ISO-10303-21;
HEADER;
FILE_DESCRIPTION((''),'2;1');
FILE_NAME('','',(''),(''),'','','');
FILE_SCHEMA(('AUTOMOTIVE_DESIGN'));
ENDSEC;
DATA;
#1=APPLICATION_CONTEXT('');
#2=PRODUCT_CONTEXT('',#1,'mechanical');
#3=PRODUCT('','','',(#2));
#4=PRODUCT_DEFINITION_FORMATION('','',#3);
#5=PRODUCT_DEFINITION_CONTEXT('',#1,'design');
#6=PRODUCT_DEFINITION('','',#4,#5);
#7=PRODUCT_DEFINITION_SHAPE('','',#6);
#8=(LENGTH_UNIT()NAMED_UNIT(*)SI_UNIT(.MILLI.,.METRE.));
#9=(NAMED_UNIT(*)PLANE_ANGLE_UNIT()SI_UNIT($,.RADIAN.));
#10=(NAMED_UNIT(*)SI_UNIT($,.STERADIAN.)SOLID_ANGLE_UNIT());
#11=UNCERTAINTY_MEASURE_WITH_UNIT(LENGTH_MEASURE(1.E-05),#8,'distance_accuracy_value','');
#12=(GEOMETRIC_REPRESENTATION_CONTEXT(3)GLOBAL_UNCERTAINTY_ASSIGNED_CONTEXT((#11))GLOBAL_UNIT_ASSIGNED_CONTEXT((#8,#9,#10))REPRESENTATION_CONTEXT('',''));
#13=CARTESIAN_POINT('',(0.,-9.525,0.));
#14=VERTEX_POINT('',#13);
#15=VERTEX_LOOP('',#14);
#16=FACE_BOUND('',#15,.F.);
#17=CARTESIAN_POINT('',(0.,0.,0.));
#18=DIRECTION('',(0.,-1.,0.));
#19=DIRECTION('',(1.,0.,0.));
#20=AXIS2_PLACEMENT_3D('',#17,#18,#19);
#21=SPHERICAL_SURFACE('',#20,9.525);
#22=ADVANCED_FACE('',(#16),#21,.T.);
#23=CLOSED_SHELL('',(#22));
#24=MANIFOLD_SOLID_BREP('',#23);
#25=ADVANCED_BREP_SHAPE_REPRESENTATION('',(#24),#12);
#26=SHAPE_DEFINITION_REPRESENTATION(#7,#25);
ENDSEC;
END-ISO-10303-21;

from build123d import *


with BuildPart() as part:
    # Sketch1 → Revolve4 (revolve)
    with BuildSketch(Plane.XY):
        with BuildLine():
            Line((0, -9.525), (0, 9.525))
            ThreePointArc((0, 9.525), (9.525, 0), (0, -9.525))
        make_face()
    revolve(axis=Axis((0, -9.525, 0), (0, 1, 0)))


solid = part.part
